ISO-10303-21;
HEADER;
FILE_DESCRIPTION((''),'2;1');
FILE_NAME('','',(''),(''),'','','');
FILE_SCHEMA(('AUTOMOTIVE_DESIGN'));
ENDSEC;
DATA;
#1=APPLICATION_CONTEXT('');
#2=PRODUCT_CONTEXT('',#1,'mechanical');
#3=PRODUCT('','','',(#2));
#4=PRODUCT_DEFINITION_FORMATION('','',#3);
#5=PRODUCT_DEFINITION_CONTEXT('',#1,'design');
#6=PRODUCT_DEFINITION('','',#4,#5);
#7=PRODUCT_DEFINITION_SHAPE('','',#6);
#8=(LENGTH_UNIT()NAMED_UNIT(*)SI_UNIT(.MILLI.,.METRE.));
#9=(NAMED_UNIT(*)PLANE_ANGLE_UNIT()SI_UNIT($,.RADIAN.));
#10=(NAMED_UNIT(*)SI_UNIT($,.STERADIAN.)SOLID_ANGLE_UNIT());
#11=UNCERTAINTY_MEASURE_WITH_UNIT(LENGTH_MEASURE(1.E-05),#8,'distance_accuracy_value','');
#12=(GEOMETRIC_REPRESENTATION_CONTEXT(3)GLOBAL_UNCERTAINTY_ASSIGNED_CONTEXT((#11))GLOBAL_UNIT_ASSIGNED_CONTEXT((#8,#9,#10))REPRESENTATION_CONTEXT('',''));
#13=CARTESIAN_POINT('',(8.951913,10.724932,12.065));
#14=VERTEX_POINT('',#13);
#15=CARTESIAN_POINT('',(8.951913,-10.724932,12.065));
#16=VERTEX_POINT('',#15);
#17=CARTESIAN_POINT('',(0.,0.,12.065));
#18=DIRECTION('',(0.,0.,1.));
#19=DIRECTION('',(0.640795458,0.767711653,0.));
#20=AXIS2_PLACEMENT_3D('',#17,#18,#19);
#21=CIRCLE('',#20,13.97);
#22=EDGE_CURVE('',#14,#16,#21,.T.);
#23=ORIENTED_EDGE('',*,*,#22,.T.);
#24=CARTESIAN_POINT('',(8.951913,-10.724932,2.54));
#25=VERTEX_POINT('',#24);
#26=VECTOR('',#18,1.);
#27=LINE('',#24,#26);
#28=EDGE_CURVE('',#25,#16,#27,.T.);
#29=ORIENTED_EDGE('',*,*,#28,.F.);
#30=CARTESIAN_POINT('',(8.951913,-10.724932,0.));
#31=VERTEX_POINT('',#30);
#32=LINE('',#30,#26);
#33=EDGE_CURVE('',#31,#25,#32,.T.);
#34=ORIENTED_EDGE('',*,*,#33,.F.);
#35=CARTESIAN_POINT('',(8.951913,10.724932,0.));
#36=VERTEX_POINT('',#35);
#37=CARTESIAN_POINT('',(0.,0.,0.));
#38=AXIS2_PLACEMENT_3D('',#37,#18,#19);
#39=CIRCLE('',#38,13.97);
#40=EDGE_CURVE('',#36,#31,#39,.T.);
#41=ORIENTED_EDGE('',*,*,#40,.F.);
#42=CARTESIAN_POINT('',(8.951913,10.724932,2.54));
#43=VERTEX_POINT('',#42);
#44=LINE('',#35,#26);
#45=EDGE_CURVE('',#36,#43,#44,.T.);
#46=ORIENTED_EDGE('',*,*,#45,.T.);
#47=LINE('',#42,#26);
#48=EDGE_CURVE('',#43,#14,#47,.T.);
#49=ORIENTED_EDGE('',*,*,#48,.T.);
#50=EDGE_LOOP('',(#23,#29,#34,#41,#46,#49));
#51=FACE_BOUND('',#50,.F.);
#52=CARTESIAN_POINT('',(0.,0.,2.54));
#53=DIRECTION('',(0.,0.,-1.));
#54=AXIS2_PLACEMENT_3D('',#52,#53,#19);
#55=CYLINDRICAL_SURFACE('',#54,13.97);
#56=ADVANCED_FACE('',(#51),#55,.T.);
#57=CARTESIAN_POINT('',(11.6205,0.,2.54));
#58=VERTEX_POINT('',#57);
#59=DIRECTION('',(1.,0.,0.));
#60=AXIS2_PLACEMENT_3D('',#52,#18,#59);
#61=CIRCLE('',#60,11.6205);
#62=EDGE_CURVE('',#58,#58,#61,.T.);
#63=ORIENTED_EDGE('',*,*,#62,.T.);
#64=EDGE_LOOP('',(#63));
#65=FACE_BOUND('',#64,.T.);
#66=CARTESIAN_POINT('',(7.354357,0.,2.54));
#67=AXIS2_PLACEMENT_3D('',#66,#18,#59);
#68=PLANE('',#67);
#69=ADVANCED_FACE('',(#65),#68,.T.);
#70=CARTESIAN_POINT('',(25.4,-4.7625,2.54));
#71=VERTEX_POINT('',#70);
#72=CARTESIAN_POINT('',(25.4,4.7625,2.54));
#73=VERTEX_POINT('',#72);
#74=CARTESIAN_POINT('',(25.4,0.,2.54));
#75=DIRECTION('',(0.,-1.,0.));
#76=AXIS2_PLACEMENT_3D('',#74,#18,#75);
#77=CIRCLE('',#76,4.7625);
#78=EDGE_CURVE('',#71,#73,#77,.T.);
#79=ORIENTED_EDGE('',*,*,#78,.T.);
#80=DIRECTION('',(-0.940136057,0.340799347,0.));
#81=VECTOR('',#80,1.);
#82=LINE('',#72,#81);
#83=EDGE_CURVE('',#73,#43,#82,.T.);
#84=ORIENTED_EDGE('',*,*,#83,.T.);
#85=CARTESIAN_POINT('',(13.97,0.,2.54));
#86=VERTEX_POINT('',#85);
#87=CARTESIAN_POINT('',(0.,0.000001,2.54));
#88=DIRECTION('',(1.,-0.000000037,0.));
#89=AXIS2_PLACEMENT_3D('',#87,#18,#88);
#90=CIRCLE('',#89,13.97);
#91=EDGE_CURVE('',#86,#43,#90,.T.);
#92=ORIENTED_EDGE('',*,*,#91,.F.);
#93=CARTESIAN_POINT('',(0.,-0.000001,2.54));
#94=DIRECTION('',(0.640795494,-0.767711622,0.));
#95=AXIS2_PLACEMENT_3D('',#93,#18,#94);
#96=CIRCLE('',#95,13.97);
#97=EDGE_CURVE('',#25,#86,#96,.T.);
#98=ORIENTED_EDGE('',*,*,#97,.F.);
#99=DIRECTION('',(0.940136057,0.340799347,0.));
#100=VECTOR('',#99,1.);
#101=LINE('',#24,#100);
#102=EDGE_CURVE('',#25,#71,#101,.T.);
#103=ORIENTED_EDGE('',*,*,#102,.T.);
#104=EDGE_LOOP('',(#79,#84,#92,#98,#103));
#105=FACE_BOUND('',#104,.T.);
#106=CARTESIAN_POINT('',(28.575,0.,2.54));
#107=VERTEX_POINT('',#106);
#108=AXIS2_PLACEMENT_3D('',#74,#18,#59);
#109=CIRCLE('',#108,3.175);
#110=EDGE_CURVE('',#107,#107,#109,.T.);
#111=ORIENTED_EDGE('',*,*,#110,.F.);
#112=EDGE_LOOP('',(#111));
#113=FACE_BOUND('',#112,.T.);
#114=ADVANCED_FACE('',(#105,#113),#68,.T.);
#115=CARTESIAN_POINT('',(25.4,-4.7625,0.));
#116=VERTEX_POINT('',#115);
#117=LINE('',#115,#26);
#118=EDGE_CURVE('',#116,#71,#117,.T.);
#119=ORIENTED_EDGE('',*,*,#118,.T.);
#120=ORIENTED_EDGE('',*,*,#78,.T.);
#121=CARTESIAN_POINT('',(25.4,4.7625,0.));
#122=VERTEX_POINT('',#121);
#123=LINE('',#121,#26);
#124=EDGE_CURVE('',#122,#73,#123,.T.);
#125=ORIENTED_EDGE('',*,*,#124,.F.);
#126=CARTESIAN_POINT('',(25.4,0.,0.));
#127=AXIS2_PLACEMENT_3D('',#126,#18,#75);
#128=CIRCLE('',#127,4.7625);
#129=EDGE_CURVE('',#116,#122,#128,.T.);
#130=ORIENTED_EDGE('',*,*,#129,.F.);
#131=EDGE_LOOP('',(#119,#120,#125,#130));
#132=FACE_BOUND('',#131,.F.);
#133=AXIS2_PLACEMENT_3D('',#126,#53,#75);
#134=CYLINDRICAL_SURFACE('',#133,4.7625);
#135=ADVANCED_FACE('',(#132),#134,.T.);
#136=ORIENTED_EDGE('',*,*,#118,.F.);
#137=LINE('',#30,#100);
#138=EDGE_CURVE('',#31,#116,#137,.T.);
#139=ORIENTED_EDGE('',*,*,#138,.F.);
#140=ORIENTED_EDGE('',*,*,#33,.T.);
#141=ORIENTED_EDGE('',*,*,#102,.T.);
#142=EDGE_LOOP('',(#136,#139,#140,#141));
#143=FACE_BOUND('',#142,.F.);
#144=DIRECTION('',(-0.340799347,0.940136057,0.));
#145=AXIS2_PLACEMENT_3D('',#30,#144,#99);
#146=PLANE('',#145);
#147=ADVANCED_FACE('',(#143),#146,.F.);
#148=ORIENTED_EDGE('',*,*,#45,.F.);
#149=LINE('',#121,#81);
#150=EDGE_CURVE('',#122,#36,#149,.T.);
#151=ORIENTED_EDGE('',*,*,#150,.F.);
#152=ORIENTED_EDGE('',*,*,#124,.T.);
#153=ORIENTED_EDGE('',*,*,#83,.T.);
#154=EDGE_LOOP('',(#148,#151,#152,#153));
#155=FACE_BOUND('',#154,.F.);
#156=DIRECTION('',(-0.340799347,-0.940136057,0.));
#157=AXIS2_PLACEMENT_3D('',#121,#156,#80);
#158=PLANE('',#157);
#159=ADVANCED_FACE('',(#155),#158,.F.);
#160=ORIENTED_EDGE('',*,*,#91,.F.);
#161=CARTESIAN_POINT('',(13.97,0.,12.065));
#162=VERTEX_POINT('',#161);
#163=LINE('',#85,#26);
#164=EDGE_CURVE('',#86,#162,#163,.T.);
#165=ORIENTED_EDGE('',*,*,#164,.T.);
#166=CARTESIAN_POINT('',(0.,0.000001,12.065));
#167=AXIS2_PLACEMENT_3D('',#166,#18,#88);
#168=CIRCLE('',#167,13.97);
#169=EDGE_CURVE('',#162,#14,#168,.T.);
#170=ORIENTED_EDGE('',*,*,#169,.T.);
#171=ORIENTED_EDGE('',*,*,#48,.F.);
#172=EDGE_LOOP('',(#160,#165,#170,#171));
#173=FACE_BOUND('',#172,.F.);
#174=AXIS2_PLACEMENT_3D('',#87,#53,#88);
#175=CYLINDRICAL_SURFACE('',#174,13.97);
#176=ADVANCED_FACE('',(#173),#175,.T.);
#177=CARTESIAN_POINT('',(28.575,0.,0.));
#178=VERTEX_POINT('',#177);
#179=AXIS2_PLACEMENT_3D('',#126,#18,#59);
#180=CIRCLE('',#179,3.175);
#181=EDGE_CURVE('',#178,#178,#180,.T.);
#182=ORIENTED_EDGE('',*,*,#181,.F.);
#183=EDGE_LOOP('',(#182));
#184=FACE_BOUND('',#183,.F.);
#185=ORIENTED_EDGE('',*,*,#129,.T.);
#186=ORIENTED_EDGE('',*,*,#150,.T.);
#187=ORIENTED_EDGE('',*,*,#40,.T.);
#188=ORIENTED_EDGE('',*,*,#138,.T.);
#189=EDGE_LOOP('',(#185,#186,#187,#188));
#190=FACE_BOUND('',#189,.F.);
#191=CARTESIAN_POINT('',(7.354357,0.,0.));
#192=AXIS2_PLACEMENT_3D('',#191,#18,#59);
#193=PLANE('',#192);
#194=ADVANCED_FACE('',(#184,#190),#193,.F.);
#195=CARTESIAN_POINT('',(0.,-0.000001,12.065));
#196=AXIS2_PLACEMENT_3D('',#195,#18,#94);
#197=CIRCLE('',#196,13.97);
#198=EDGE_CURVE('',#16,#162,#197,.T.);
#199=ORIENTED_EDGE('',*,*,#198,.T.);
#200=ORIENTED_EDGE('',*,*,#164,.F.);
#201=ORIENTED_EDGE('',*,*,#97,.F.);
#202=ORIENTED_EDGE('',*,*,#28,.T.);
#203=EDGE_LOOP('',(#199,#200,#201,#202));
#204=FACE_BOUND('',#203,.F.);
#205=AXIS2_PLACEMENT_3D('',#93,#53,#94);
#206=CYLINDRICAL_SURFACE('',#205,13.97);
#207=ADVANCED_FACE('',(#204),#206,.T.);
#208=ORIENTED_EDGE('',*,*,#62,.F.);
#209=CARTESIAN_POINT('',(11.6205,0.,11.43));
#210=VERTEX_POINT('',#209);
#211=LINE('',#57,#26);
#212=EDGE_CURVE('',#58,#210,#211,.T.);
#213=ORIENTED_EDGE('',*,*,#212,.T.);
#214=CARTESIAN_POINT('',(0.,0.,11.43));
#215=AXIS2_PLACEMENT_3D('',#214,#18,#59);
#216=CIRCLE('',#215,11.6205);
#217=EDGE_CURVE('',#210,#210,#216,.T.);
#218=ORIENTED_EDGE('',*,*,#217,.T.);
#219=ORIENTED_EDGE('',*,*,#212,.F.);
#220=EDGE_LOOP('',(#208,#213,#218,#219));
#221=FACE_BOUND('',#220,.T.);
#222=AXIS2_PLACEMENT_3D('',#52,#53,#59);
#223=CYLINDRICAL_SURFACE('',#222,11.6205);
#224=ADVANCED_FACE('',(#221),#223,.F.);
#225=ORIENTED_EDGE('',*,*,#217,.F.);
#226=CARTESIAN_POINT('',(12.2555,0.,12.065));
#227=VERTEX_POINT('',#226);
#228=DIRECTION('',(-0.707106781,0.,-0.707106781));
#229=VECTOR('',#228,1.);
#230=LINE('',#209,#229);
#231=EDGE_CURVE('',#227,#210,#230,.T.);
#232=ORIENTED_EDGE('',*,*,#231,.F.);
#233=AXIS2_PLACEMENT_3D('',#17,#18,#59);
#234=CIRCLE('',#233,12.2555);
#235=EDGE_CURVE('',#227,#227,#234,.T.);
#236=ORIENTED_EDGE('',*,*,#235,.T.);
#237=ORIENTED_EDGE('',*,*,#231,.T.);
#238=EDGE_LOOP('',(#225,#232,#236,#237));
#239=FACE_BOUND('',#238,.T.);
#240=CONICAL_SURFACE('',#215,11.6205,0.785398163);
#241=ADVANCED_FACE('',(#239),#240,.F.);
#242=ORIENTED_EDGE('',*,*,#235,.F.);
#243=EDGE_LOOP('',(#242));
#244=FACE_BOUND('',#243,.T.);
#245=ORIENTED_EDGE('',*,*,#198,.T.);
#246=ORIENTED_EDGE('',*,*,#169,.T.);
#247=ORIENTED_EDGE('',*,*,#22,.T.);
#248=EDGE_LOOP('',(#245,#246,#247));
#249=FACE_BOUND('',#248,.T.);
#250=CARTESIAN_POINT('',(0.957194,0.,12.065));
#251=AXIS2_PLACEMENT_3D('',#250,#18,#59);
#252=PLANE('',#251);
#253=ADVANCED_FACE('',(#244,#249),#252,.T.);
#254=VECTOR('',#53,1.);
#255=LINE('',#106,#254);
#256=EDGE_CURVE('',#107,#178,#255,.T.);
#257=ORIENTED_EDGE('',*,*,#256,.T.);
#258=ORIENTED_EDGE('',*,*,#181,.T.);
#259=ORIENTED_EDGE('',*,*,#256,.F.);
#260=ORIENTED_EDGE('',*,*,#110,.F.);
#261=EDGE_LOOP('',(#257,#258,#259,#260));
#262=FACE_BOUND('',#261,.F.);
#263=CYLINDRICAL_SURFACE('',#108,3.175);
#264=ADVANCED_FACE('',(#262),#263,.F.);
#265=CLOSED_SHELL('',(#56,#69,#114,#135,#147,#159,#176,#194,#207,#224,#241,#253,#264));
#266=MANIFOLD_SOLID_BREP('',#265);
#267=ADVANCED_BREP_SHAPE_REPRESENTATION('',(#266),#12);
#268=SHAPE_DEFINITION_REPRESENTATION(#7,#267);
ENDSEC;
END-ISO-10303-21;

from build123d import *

# Parameters (mm, degrees)
F1_DEPTH = 2.54
F2_R     = 11.6205
F3_DEPTH = 9.525
F4_SIZE  = 0.635
F5_R     = 3.175
F6_DEPTH = 2.541


with BuildPart() as f1:
    # F0 (on Top) → F1 (new body)
    with BuildSketch(Plane.XY):
        with BuildLine():
            Line((25.4, 4.7625), (8.951913, 10.724932))
            ThreePointArc((8.951913, 10.724932), (-13.97, 0), (8.951913, -10.724932))
            Line((8.951913, -10.724932), (25.4, -4.7625))
            ThreePointArc((25.4, -4.7625), (30.1625, 0), (25.4, 4.7625))
        make_face()
    extrude(amount=F1_DEPTH)

    # F2 (on face) → F3 (join)
    with BuildSketch(Plane.XY.offset(2.54)):
        with BuildLine():
            ThreePointArc((8.951913, -10.724932), (12.653441, -5.920417), (13.97, 0))
            ThreePointArc((13.97, 0), (12.653441, 5.920417), (8.951913, 10.724932))
            ThreePointArc((8.951913, 10.724932), (-13.97, 0), (8.951913, -10.724932))
        make_face()
        Circle(F2_R, mode=Mode.SUBTRACT)
    extrude(amount=F3_DEPTH)

    # F4
    f4_edges = [f1.edges().sort_by_distance(p)[0] for p in [
        (-11.6205, 0, 12.065),
    ]]
    chamfer(f4_edges, length=F4_SIZE)

    # F5 (on face) → F6 (cut, through all)
    with BuildSketch(Plane.XY.offset(2.54)):
        with Locations((25.4, 0)):
            Circle(F5_R)
    extrude(amount=-F6_DEPTH, mode=Mode.SUBTRACT)


solid = f1.part
